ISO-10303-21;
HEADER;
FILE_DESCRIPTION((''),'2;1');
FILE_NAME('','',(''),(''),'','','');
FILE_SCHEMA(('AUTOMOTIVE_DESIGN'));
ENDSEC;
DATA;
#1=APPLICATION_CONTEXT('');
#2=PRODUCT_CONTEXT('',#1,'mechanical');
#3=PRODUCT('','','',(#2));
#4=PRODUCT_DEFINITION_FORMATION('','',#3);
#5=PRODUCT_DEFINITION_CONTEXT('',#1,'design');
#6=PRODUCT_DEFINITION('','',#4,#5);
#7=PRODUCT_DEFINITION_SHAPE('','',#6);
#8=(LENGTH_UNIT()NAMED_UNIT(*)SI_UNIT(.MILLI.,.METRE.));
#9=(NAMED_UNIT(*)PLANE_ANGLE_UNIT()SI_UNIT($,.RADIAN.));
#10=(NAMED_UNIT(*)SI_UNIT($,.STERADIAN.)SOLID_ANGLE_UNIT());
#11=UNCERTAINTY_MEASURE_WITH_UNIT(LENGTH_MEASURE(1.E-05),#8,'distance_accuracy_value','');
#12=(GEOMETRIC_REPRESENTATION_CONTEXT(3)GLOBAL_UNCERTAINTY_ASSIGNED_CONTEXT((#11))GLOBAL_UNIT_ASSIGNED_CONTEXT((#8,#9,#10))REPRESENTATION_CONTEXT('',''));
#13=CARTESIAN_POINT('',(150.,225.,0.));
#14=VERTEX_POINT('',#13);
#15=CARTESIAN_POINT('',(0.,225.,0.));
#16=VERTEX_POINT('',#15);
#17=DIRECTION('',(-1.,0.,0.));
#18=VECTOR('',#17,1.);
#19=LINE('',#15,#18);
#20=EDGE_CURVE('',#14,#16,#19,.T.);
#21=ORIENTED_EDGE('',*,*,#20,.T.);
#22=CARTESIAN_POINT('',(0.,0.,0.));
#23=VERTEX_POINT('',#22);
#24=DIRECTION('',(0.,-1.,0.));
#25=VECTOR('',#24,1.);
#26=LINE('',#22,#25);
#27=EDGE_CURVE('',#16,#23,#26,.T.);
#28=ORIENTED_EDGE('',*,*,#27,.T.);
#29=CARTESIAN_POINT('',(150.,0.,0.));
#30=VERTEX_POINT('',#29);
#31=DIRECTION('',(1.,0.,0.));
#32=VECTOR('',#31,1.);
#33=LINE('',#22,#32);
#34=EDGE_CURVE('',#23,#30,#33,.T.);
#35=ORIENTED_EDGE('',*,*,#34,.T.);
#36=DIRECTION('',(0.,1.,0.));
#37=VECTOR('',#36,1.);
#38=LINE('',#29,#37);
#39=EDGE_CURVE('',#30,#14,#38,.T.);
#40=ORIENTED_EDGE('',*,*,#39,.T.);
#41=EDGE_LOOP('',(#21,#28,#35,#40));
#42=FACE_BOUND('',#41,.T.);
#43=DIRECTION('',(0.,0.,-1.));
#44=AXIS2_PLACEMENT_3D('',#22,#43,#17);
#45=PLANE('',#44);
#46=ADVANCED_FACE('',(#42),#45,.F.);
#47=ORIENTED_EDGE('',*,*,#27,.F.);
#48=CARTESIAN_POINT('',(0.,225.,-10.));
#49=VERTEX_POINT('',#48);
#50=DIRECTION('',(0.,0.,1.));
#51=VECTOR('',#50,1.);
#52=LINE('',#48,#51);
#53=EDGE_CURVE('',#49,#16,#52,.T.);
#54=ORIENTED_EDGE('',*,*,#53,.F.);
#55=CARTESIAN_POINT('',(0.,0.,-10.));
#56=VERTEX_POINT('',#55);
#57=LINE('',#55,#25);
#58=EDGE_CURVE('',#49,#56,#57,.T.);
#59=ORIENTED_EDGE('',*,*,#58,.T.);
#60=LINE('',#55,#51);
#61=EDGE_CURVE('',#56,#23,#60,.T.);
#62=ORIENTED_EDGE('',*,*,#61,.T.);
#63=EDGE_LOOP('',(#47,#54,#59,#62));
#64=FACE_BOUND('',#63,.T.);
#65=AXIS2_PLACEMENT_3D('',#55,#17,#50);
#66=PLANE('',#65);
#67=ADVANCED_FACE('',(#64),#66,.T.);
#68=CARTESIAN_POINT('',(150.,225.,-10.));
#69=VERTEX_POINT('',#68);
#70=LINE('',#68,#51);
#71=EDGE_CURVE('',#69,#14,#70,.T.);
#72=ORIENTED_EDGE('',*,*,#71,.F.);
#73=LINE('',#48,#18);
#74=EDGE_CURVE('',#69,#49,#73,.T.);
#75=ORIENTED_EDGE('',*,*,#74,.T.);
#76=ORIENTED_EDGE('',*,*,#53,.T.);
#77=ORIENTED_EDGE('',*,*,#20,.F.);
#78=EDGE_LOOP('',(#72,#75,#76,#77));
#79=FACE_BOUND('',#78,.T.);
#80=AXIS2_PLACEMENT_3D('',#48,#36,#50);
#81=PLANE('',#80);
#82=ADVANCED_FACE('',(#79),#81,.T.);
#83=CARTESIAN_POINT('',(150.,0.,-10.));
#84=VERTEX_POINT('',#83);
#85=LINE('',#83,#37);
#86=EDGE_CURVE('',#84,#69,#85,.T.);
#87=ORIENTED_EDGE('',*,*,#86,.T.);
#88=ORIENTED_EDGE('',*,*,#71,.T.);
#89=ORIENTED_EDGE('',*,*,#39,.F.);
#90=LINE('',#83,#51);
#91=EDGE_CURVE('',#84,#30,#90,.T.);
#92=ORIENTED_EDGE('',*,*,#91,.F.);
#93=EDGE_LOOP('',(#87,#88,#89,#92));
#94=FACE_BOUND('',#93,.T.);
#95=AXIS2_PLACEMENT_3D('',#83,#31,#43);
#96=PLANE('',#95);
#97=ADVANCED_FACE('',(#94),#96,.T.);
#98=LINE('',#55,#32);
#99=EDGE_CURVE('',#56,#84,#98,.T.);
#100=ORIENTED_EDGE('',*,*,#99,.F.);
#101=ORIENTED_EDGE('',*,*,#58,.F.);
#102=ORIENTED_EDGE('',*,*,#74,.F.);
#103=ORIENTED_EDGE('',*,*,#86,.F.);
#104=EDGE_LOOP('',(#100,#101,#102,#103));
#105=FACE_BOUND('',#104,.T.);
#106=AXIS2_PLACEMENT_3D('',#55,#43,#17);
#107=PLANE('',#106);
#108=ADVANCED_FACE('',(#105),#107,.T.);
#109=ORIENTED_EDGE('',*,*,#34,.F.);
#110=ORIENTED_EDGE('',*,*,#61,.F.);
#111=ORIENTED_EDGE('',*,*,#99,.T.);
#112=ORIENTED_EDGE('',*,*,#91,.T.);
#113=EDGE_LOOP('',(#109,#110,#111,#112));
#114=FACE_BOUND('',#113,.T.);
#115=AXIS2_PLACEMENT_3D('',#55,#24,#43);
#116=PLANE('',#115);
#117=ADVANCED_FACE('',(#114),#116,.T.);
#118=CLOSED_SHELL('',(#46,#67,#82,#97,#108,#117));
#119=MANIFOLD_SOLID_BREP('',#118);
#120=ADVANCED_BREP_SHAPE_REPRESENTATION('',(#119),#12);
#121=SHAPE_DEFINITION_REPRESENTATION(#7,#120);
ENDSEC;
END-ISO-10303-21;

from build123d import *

# Parameters (mm, degrees)
CROQUIS1_W              = 150
CROQUIS1_H              = 225
SALIENTE_EXTRUIR1_DEPTH = 10


with BuildPart() as part:
    # Croquis1 → Saliente-Extruir1 (new body)
    with BuildSketch(Plane.XY):
        with Locations((75, 112.5)):
            Rectangle(CROQUIS1_W, CROQUIS1_H)
    extrude(amount=-SALIENTE_EXTRUIR1_DEPTH)


solid = part.part
